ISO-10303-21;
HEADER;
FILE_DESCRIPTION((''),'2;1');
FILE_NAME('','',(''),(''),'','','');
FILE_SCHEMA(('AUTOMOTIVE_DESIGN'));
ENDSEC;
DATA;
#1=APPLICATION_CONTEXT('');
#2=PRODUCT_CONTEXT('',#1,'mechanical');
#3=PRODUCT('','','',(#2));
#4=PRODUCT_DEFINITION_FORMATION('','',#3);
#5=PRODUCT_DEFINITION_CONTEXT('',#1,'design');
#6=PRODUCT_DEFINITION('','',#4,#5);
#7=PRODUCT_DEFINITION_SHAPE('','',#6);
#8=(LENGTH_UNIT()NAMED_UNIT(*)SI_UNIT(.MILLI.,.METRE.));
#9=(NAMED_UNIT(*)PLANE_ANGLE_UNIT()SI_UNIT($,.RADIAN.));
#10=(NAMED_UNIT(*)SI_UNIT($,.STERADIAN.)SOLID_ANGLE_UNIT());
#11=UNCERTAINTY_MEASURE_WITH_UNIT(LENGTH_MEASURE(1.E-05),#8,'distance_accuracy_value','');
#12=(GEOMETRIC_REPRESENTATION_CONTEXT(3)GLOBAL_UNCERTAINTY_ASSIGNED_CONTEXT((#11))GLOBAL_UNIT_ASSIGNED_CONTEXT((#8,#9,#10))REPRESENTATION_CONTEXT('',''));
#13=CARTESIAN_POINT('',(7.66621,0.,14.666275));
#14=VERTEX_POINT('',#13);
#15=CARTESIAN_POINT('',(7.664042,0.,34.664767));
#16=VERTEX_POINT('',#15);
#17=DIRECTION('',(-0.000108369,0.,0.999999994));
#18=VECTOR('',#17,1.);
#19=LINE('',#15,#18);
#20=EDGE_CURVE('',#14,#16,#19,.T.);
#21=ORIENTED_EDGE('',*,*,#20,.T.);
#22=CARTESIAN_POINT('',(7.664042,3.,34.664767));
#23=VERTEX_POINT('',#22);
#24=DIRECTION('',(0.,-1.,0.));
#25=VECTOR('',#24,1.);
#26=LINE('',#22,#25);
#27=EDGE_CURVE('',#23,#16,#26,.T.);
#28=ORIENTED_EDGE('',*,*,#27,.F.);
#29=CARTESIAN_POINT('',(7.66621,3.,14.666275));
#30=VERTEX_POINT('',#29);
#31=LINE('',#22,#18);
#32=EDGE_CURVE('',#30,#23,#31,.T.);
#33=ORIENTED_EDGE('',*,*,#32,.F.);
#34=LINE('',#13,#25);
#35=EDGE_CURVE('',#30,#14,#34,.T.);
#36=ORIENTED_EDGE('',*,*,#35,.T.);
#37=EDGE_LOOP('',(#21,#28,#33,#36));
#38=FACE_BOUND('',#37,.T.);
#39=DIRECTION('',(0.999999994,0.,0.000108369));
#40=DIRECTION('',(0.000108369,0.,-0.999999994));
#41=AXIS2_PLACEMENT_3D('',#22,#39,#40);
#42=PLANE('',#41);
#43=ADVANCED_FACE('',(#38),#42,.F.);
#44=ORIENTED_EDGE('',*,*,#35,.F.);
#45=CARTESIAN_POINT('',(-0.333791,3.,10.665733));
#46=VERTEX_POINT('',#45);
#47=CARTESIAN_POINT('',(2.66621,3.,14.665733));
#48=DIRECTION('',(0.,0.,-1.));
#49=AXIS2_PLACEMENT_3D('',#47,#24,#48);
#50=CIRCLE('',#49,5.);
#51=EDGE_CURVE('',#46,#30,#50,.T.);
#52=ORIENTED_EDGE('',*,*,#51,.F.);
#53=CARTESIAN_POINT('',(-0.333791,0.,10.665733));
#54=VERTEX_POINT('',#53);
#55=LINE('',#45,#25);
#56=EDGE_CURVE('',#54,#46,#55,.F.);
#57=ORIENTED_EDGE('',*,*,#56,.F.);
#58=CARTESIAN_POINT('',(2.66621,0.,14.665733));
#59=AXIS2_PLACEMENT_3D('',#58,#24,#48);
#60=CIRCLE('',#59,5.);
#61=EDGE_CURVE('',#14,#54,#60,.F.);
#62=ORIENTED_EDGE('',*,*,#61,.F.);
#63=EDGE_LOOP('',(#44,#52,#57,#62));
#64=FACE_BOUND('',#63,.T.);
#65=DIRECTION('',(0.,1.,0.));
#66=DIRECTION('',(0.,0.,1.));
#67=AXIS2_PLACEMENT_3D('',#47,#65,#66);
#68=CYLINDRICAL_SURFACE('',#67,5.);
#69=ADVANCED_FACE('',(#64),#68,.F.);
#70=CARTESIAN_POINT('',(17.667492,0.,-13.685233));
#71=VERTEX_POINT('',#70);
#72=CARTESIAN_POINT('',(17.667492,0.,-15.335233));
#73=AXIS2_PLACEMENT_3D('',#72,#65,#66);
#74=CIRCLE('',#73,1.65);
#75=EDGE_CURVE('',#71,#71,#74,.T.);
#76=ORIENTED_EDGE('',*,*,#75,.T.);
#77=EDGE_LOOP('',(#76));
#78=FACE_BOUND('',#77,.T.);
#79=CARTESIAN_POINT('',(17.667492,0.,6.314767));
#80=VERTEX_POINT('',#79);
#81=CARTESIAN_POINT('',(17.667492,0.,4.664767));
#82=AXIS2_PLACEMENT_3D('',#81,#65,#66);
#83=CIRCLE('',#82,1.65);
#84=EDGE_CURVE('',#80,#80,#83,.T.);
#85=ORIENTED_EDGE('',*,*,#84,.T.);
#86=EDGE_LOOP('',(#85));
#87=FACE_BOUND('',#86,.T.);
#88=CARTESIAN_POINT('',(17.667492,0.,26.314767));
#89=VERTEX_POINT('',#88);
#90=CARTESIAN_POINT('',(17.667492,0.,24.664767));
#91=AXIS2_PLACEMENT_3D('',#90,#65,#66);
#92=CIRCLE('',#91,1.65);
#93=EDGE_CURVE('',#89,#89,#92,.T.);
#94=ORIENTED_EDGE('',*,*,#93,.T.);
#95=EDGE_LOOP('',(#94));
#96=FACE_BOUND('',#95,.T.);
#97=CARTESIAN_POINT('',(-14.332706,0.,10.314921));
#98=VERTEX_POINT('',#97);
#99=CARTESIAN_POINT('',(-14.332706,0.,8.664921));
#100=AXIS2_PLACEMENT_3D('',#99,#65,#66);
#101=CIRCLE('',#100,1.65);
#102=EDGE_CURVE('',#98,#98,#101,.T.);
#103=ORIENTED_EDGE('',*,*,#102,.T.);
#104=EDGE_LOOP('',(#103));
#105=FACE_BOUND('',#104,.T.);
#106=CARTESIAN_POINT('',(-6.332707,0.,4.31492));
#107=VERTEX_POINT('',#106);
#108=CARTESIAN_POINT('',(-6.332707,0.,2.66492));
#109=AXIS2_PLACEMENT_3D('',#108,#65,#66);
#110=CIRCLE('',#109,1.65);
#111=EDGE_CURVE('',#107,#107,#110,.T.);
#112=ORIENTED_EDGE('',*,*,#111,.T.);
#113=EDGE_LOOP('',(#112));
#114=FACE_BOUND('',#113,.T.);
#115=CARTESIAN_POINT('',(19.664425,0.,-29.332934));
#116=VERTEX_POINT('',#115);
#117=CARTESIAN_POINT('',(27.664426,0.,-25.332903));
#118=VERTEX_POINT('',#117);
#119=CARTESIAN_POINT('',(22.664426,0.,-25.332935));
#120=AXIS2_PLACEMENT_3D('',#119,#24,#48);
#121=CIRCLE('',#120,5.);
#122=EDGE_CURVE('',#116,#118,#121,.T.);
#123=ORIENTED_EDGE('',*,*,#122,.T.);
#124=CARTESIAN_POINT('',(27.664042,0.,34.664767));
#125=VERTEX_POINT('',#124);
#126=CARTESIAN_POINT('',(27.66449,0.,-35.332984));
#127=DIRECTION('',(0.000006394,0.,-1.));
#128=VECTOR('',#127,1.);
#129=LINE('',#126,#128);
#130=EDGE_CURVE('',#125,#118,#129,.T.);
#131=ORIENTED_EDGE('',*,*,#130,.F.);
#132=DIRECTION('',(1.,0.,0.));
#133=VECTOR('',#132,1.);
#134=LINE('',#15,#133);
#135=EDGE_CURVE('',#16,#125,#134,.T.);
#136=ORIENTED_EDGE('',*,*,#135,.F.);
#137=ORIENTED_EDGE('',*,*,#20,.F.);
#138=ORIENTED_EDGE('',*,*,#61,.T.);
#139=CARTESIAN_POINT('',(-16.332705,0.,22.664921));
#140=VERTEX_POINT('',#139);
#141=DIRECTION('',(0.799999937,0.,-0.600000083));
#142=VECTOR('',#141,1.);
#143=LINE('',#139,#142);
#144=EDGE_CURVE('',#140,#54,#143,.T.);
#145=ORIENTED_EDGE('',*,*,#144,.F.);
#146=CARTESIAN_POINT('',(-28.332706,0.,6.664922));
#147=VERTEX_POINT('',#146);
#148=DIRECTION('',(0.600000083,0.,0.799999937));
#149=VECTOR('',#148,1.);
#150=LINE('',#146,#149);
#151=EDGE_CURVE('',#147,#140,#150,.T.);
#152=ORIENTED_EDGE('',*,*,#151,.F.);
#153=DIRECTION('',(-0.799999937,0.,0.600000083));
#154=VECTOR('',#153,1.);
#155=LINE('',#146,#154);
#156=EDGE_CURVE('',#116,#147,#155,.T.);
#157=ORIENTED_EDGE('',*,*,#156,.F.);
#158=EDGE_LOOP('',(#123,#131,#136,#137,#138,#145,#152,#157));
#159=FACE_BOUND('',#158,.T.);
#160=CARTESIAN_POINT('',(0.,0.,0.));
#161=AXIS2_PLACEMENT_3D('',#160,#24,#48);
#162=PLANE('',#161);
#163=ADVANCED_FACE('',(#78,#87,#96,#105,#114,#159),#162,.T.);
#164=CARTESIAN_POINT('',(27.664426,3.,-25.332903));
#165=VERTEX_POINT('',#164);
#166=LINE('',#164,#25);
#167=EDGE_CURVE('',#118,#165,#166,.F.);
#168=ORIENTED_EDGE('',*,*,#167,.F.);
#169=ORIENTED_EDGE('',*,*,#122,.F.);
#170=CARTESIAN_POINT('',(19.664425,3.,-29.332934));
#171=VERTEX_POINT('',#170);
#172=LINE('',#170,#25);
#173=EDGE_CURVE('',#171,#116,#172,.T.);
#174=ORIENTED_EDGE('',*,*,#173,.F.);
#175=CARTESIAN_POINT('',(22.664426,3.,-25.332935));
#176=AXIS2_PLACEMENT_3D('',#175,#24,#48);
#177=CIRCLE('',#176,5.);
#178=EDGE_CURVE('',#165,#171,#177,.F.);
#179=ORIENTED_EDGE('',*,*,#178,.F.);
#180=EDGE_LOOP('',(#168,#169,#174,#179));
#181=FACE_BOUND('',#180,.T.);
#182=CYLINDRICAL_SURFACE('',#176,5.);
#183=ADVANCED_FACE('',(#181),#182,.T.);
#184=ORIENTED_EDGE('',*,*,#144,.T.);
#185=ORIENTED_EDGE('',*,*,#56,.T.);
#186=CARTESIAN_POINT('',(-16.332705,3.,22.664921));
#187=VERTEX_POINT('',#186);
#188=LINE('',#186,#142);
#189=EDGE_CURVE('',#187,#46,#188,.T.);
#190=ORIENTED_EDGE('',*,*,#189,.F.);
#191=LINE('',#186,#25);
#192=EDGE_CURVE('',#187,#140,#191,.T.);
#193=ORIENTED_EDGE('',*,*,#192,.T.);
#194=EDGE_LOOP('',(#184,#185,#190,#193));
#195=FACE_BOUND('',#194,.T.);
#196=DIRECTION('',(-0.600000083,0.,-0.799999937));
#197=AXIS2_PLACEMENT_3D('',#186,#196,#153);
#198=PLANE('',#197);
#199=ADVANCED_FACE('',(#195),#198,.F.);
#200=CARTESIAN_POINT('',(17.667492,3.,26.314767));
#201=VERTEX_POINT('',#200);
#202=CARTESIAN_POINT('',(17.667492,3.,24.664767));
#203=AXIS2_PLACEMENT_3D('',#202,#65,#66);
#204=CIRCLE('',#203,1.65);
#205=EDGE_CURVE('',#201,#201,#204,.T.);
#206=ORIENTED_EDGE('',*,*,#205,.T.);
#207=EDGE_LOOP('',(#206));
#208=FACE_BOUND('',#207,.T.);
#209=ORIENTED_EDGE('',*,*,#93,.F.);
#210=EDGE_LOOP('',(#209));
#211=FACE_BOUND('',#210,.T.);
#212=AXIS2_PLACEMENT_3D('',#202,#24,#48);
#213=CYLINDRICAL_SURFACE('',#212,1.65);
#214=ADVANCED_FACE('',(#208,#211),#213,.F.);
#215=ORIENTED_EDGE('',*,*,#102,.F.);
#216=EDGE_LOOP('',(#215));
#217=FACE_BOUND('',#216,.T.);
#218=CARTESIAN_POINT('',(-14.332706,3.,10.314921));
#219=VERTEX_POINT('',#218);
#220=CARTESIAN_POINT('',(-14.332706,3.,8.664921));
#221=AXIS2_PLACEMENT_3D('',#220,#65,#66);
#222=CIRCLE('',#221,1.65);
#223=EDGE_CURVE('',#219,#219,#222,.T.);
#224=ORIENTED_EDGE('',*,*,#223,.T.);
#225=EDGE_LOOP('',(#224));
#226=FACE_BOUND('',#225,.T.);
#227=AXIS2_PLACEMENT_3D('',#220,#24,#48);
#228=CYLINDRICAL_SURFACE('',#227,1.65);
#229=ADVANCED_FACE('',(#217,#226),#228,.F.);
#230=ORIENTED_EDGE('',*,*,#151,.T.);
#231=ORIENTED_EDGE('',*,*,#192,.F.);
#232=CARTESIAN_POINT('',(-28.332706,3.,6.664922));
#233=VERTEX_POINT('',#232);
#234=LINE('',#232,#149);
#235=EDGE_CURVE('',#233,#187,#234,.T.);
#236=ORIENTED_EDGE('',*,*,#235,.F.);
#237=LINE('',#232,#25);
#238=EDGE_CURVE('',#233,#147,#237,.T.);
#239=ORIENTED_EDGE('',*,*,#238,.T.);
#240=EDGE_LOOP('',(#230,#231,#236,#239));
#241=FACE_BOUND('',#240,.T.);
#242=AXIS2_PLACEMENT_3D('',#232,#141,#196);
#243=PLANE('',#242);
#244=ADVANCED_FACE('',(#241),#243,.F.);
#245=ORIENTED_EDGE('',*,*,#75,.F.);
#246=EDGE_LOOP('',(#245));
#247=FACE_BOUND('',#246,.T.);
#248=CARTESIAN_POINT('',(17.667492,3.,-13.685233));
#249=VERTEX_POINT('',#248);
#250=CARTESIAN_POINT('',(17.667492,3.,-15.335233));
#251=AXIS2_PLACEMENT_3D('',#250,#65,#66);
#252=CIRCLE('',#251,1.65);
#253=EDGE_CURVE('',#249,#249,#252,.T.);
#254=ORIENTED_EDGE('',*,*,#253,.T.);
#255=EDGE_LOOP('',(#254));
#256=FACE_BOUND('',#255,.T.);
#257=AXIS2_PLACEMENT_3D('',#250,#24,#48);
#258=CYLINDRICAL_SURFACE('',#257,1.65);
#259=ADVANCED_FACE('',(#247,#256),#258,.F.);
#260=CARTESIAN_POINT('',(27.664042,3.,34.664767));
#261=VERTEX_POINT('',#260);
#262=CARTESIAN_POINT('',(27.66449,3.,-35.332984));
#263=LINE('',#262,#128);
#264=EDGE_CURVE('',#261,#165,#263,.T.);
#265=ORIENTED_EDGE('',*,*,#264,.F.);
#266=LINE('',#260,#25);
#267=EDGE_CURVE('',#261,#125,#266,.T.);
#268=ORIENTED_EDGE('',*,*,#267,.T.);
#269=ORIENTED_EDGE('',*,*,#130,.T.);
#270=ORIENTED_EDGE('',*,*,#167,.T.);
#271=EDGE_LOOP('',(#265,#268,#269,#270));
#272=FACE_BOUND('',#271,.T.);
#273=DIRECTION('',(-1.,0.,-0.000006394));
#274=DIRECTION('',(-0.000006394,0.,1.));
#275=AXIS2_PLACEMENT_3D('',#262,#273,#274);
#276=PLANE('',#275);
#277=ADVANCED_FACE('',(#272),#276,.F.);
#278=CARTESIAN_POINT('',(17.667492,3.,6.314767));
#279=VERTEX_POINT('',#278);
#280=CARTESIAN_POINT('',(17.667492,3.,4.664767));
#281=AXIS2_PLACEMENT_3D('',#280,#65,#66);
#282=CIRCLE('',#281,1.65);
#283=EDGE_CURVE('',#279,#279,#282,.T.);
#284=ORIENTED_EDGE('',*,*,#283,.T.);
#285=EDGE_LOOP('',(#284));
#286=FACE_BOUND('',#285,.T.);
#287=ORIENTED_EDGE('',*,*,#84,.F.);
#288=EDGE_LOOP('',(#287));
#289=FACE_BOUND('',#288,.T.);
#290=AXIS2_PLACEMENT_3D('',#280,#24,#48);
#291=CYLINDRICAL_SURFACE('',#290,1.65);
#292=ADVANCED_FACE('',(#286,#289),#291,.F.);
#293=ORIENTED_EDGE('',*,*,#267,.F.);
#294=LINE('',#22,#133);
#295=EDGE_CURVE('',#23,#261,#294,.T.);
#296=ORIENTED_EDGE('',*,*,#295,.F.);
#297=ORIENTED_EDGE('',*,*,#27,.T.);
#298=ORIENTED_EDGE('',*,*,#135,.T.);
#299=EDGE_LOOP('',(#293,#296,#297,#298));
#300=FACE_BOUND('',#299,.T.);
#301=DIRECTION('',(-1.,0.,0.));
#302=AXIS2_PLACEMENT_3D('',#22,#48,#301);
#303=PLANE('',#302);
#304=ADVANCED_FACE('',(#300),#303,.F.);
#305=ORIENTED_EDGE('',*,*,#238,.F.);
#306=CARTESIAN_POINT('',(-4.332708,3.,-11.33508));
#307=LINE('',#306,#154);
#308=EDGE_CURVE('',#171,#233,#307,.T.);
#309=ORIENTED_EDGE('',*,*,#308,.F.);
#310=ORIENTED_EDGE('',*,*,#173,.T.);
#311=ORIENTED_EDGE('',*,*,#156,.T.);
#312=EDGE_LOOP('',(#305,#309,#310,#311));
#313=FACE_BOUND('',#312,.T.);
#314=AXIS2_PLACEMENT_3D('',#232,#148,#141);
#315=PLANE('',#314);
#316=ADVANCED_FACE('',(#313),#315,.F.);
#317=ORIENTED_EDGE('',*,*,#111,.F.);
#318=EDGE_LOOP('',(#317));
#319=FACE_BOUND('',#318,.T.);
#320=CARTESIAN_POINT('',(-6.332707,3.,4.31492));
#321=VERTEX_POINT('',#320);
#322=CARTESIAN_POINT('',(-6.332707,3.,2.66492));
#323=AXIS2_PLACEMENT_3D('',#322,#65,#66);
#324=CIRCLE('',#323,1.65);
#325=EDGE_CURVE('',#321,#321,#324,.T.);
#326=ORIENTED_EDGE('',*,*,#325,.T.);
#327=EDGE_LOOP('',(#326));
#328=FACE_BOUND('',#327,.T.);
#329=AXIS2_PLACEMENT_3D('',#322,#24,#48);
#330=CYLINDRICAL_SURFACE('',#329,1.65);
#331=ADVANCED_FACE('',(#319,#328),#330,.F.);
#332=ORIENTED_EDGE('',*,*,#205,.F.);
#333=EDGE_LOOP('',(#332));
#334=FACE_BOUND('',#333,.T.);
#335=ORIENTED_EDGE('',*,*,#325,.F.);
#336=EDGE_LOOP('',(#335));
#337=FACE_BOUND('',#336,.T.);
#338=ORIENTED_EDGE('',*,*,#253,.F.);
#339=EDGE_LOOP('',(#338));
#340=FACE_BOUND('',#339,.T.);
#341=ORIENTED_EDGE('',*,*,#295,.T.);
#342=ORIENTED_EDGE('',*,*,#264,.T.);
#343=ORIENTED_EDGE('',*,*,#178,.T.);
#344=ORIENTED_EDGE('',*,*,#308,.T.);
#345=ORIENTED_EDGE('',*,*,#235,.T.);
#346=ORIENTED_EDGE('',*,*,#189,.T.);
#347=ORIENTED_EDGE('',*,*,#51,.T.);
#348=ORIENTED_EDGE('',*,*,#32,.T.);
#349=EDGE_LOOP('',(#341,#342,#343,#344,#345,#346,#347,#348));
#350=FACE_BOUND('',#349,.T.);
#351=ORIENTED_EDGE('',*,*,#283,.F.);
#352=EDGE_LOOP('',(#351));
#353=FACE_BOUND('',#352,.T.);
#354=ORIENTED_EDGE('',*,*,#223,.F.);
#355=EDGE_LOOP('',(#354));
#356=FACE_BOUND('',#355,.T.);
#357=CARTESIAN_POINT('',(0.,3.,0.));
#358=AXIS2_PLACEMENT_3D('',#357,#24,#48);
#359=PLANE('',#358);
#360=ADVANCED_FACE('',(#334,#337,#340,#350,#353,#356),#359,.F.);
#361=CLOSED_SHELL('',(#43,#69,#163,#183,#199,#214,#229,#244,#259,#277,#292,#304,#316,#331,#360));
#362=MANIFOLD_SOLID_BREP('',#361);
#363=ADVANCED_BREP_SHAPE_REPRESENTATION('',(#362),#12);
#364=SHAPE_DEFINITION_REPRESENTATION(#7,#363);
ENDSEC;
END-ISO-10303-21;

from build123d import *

# Parameters (mm, degrees)
SKETCH_1_R      = 1.649999992
SKETCH_1_R_2    = 1.649999999
SKETCH_1_R_3    = 1.65
EXTRUDE_1_DEPTH = 3
FILLET_2_R      = 5
FILLET_3_R      = 5


with BuildPart() as part:
    # 草图1 → 凸台-拉伸1 (new body)
    with BuildSketch(Plane(origin=(0, 0, 0), x_dir=(1, 0, 0), z_dir=(0, 1, 0))):
        Polygon((-28.332706405, -6.664922467), (-16.332704755, -22.664921194), (7.667293339, -4.664918716), (7.664042293, -34.664767296), (27.664042293, -34.664767296), (27.664489855, 35.332983845), (-4.33270825, 11.335080057), align=None)
        with Locations(Location((17.667491748, 15.335232704, 0), (0, 0, 270))):
            Circle(SKETCH_1_R, mode=Mode.SUBTRACT)
        with Locations(Location((17.667491748, -4.664767296, 0), (0, 0, 270))):
            Circle(SKETCH_1_R, mode=Mode.SUBTRACT)
        with Locations(Location((17.667491748, -24.664767296, 0), (0, 0, 270))):
            Circle(SKETCH_1_R, mode=Mode.SUBTRACT)
        with Locations(Location((-6.332706828, -2.664920166, 0), (0, 0, 270))):
            Circle(SKETCH_1_R_2, mode=Mode.SUBTRACT)
        with Locations(Location((-14.332706205, -8.664920997, 0), (0, 0, 270))):
            Circle(SKETCH_1_R_3, mode=Mode.SUBTRACT)
    extrude(amount=EXTRUDE_1_DEPTH)

    # 圆角2
    fillet_2_edges = [part.edges().sort_by_distance(p)[0] for p in [
        (7.667293339, 1.5, 4.664918716),
    ]]
    fillet(fillet_2_edges, radius=FILLET_2_R)

    # 圆角3
    fillet_3_edges = [part.edges().sort_by_distance(p)[0] for p in [
        (27.664489855, 1.5, -35.332983845),
    ]]
    fillet(fillet_3_edges, radius=FILLET_3_R)


solid = part.part
